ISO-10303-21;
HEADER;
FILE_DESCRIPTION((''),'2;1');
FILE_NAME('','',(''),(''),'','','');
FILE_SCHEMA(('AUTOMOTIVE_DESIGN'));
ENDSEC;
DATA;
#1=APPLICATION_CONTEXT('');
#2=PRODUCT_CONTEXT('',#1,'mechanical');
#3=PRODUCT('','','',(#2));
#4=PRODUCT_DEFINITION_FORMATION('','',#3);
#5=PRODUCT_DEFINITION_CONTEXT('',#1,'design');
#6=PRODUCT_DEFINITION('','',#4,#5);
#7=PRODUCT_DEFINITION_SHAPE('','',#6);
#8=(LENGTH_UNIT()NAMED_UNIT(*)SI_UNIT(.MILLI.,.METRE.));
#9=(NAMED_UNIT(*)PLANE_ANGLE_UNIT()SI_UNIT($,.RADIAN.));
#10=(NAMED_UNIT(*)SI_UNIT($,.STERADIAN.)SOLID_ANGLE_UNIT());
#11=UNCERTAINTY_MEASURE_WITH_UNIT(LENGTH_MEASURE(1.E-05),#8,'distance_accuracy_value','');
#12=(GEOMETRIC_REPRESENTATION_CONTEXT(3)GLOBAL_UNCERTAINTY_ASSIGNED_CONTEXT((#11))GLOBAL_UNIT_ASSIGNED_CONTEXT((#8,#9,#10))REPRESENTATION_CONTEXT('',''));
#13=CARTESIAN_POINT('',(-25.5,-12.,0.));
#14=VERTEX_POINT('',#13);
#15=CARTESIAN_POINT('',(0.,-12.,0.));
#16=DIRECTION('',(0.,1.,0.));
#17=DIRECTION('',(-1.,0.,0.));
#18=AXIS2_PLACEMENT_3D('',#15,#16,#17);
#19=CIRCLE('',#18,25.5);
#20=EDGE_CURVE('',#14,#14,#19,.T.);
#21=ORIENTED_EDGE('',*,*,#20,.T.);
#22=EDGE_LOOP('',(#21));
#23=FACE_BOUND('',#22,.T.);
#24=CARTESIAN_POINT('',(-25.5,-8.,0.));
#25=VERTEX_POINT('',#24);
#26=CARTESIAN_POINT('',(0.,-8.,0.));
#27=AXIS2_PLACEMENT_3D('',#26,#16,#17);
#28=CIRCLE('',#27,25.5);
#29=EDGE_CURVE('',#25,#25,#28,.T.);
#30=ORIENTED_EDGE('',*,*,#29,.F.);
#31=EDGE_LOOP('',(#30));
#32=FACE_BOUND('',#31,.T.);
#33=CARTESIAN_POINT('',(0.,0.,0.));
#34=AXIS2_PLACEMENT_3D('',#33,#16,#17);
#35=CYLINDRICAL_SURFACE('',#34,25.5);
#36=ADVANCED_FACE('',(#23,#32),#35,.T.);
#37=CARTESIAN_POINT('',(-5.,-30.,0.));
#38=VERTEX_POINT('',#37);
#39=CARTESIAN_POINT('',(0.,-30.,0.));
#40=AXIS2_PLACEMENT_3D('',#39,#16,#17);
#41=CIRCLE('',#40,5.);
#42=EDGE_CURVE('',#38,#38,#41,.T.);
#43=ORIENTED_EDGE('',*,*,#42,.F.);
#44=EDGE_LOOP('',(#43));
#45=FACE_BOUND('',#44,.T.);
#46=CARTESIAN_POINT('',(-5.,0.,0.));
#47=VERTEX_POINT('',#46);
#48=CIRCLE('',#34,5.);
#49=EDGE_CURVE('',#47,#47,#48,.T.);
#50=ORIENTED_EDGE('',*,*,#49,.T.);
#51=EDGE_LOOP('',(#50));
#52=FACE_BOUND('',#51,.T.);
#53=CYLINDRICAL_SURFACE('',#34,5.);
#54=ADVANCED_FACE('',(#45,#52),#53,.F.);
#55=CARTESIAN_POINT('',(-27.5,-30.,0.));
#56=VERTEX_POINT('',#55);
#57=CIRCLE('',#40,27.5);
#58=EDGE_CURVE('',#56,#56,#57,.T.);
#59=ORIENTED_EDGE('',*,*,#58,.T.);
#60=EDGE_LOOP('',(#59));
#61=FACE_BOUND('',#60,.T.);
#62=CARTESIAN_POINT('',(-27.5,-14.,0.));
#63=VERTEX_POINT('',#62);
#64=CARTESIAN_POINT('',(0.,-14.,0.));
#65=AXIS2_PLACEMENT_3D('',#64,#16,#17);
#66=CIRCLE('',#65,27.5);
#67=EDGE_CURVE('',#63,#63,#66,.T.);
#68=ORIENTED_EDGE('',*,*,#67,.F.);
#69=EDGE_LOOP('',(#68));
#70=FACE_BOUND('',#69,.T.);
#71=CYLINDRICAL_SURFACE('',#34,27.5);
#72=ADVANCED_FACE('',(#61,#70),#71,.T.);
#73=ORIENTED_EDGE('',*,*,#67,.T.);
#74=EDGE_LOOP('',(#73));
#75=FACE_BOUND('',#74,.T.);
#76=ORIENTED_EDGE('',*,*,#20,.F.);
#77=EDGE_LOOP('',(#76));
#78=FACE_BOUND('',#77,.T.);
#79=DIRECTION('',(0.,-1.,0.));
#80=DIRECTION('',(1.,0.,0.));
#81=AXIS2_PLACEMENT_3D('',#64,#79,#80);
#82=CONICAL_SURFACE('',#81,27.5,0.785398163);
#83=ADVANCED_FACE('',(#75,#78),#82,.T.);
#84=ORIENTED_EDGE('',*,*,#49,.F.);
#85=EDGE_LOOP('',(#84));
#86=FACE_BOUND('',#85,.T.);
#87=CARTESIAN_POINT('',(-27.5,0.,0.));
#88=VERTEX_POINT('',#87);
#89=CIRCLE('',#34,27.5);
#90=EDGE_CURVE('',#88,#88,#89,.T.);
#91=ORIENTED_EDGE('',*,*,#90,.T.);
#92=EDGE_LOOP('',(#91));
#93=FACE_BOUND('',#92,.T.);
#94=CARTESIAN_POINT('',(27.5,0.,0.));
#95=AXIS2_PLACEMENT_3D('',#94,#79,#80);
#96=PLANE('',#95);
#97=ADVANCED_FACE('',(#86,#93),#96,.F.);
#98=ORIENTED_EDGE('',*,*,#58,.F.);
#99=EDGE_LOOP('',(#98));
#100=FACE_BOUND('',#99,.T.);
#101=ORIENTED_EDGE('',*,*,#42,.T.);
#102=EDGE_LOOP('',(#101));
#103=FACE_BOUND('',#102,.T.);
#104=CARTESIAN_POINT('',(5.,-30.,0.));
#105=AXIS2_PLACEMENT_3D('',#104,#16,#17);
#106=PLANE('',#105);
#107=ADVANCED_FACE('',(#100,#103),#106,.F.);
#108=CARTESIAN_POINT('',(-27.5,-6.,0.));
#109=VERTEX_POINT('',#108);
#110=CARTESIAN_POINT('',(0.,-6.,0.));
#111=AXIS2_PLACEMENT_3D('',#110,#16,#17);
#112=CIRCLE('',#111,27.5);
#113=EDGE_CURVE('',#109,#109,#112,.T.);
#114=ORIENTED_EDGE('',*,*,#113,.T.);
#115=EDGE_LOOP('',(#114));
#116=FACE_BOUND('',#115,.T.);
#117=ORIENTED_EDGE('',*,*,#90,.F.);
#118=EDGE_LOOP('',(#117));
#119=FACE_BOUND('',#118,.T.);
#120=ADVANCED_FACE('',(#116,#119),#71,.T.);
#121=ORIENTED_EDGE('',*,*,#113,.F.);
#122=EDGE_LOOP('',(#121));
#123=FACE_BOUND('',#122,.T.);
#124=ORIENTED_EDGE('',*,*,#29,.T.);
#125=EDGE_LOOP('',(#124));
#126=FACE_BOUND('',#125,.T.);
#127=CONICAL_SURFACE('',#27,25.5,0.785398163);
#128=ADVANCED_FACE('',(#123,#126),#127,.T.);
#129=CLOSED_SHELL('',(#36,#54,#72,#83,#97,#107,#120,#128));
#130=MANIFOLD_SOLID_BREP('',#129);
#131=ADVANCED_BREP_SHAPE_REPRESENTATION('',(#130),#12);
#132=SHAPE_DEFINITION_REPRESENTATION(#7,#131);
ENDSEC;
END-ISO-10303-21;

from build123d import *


with BuildPart() as part:
    # Esboço1 → Revolução1 (revolve)
    with BuildSketch(Plane.XY, mode=Mode.PRIVATE) as revolu_o1_sk:
        Polygon((5, 0), (5, -30), (27.5, -30), (27.5, -14), (25.5, -12), (25.5, -8), (27.5, -6), (27.5, 0), align=None)
    revolve(revolu_o1_sk.sketch.rotate(Axis((0, 0, 0), (0, -1, 0)), 180), axis=Axis((0, 0, 0), (0, -1, 0)))  # turned: the seam where the file's is


solid = part.part
